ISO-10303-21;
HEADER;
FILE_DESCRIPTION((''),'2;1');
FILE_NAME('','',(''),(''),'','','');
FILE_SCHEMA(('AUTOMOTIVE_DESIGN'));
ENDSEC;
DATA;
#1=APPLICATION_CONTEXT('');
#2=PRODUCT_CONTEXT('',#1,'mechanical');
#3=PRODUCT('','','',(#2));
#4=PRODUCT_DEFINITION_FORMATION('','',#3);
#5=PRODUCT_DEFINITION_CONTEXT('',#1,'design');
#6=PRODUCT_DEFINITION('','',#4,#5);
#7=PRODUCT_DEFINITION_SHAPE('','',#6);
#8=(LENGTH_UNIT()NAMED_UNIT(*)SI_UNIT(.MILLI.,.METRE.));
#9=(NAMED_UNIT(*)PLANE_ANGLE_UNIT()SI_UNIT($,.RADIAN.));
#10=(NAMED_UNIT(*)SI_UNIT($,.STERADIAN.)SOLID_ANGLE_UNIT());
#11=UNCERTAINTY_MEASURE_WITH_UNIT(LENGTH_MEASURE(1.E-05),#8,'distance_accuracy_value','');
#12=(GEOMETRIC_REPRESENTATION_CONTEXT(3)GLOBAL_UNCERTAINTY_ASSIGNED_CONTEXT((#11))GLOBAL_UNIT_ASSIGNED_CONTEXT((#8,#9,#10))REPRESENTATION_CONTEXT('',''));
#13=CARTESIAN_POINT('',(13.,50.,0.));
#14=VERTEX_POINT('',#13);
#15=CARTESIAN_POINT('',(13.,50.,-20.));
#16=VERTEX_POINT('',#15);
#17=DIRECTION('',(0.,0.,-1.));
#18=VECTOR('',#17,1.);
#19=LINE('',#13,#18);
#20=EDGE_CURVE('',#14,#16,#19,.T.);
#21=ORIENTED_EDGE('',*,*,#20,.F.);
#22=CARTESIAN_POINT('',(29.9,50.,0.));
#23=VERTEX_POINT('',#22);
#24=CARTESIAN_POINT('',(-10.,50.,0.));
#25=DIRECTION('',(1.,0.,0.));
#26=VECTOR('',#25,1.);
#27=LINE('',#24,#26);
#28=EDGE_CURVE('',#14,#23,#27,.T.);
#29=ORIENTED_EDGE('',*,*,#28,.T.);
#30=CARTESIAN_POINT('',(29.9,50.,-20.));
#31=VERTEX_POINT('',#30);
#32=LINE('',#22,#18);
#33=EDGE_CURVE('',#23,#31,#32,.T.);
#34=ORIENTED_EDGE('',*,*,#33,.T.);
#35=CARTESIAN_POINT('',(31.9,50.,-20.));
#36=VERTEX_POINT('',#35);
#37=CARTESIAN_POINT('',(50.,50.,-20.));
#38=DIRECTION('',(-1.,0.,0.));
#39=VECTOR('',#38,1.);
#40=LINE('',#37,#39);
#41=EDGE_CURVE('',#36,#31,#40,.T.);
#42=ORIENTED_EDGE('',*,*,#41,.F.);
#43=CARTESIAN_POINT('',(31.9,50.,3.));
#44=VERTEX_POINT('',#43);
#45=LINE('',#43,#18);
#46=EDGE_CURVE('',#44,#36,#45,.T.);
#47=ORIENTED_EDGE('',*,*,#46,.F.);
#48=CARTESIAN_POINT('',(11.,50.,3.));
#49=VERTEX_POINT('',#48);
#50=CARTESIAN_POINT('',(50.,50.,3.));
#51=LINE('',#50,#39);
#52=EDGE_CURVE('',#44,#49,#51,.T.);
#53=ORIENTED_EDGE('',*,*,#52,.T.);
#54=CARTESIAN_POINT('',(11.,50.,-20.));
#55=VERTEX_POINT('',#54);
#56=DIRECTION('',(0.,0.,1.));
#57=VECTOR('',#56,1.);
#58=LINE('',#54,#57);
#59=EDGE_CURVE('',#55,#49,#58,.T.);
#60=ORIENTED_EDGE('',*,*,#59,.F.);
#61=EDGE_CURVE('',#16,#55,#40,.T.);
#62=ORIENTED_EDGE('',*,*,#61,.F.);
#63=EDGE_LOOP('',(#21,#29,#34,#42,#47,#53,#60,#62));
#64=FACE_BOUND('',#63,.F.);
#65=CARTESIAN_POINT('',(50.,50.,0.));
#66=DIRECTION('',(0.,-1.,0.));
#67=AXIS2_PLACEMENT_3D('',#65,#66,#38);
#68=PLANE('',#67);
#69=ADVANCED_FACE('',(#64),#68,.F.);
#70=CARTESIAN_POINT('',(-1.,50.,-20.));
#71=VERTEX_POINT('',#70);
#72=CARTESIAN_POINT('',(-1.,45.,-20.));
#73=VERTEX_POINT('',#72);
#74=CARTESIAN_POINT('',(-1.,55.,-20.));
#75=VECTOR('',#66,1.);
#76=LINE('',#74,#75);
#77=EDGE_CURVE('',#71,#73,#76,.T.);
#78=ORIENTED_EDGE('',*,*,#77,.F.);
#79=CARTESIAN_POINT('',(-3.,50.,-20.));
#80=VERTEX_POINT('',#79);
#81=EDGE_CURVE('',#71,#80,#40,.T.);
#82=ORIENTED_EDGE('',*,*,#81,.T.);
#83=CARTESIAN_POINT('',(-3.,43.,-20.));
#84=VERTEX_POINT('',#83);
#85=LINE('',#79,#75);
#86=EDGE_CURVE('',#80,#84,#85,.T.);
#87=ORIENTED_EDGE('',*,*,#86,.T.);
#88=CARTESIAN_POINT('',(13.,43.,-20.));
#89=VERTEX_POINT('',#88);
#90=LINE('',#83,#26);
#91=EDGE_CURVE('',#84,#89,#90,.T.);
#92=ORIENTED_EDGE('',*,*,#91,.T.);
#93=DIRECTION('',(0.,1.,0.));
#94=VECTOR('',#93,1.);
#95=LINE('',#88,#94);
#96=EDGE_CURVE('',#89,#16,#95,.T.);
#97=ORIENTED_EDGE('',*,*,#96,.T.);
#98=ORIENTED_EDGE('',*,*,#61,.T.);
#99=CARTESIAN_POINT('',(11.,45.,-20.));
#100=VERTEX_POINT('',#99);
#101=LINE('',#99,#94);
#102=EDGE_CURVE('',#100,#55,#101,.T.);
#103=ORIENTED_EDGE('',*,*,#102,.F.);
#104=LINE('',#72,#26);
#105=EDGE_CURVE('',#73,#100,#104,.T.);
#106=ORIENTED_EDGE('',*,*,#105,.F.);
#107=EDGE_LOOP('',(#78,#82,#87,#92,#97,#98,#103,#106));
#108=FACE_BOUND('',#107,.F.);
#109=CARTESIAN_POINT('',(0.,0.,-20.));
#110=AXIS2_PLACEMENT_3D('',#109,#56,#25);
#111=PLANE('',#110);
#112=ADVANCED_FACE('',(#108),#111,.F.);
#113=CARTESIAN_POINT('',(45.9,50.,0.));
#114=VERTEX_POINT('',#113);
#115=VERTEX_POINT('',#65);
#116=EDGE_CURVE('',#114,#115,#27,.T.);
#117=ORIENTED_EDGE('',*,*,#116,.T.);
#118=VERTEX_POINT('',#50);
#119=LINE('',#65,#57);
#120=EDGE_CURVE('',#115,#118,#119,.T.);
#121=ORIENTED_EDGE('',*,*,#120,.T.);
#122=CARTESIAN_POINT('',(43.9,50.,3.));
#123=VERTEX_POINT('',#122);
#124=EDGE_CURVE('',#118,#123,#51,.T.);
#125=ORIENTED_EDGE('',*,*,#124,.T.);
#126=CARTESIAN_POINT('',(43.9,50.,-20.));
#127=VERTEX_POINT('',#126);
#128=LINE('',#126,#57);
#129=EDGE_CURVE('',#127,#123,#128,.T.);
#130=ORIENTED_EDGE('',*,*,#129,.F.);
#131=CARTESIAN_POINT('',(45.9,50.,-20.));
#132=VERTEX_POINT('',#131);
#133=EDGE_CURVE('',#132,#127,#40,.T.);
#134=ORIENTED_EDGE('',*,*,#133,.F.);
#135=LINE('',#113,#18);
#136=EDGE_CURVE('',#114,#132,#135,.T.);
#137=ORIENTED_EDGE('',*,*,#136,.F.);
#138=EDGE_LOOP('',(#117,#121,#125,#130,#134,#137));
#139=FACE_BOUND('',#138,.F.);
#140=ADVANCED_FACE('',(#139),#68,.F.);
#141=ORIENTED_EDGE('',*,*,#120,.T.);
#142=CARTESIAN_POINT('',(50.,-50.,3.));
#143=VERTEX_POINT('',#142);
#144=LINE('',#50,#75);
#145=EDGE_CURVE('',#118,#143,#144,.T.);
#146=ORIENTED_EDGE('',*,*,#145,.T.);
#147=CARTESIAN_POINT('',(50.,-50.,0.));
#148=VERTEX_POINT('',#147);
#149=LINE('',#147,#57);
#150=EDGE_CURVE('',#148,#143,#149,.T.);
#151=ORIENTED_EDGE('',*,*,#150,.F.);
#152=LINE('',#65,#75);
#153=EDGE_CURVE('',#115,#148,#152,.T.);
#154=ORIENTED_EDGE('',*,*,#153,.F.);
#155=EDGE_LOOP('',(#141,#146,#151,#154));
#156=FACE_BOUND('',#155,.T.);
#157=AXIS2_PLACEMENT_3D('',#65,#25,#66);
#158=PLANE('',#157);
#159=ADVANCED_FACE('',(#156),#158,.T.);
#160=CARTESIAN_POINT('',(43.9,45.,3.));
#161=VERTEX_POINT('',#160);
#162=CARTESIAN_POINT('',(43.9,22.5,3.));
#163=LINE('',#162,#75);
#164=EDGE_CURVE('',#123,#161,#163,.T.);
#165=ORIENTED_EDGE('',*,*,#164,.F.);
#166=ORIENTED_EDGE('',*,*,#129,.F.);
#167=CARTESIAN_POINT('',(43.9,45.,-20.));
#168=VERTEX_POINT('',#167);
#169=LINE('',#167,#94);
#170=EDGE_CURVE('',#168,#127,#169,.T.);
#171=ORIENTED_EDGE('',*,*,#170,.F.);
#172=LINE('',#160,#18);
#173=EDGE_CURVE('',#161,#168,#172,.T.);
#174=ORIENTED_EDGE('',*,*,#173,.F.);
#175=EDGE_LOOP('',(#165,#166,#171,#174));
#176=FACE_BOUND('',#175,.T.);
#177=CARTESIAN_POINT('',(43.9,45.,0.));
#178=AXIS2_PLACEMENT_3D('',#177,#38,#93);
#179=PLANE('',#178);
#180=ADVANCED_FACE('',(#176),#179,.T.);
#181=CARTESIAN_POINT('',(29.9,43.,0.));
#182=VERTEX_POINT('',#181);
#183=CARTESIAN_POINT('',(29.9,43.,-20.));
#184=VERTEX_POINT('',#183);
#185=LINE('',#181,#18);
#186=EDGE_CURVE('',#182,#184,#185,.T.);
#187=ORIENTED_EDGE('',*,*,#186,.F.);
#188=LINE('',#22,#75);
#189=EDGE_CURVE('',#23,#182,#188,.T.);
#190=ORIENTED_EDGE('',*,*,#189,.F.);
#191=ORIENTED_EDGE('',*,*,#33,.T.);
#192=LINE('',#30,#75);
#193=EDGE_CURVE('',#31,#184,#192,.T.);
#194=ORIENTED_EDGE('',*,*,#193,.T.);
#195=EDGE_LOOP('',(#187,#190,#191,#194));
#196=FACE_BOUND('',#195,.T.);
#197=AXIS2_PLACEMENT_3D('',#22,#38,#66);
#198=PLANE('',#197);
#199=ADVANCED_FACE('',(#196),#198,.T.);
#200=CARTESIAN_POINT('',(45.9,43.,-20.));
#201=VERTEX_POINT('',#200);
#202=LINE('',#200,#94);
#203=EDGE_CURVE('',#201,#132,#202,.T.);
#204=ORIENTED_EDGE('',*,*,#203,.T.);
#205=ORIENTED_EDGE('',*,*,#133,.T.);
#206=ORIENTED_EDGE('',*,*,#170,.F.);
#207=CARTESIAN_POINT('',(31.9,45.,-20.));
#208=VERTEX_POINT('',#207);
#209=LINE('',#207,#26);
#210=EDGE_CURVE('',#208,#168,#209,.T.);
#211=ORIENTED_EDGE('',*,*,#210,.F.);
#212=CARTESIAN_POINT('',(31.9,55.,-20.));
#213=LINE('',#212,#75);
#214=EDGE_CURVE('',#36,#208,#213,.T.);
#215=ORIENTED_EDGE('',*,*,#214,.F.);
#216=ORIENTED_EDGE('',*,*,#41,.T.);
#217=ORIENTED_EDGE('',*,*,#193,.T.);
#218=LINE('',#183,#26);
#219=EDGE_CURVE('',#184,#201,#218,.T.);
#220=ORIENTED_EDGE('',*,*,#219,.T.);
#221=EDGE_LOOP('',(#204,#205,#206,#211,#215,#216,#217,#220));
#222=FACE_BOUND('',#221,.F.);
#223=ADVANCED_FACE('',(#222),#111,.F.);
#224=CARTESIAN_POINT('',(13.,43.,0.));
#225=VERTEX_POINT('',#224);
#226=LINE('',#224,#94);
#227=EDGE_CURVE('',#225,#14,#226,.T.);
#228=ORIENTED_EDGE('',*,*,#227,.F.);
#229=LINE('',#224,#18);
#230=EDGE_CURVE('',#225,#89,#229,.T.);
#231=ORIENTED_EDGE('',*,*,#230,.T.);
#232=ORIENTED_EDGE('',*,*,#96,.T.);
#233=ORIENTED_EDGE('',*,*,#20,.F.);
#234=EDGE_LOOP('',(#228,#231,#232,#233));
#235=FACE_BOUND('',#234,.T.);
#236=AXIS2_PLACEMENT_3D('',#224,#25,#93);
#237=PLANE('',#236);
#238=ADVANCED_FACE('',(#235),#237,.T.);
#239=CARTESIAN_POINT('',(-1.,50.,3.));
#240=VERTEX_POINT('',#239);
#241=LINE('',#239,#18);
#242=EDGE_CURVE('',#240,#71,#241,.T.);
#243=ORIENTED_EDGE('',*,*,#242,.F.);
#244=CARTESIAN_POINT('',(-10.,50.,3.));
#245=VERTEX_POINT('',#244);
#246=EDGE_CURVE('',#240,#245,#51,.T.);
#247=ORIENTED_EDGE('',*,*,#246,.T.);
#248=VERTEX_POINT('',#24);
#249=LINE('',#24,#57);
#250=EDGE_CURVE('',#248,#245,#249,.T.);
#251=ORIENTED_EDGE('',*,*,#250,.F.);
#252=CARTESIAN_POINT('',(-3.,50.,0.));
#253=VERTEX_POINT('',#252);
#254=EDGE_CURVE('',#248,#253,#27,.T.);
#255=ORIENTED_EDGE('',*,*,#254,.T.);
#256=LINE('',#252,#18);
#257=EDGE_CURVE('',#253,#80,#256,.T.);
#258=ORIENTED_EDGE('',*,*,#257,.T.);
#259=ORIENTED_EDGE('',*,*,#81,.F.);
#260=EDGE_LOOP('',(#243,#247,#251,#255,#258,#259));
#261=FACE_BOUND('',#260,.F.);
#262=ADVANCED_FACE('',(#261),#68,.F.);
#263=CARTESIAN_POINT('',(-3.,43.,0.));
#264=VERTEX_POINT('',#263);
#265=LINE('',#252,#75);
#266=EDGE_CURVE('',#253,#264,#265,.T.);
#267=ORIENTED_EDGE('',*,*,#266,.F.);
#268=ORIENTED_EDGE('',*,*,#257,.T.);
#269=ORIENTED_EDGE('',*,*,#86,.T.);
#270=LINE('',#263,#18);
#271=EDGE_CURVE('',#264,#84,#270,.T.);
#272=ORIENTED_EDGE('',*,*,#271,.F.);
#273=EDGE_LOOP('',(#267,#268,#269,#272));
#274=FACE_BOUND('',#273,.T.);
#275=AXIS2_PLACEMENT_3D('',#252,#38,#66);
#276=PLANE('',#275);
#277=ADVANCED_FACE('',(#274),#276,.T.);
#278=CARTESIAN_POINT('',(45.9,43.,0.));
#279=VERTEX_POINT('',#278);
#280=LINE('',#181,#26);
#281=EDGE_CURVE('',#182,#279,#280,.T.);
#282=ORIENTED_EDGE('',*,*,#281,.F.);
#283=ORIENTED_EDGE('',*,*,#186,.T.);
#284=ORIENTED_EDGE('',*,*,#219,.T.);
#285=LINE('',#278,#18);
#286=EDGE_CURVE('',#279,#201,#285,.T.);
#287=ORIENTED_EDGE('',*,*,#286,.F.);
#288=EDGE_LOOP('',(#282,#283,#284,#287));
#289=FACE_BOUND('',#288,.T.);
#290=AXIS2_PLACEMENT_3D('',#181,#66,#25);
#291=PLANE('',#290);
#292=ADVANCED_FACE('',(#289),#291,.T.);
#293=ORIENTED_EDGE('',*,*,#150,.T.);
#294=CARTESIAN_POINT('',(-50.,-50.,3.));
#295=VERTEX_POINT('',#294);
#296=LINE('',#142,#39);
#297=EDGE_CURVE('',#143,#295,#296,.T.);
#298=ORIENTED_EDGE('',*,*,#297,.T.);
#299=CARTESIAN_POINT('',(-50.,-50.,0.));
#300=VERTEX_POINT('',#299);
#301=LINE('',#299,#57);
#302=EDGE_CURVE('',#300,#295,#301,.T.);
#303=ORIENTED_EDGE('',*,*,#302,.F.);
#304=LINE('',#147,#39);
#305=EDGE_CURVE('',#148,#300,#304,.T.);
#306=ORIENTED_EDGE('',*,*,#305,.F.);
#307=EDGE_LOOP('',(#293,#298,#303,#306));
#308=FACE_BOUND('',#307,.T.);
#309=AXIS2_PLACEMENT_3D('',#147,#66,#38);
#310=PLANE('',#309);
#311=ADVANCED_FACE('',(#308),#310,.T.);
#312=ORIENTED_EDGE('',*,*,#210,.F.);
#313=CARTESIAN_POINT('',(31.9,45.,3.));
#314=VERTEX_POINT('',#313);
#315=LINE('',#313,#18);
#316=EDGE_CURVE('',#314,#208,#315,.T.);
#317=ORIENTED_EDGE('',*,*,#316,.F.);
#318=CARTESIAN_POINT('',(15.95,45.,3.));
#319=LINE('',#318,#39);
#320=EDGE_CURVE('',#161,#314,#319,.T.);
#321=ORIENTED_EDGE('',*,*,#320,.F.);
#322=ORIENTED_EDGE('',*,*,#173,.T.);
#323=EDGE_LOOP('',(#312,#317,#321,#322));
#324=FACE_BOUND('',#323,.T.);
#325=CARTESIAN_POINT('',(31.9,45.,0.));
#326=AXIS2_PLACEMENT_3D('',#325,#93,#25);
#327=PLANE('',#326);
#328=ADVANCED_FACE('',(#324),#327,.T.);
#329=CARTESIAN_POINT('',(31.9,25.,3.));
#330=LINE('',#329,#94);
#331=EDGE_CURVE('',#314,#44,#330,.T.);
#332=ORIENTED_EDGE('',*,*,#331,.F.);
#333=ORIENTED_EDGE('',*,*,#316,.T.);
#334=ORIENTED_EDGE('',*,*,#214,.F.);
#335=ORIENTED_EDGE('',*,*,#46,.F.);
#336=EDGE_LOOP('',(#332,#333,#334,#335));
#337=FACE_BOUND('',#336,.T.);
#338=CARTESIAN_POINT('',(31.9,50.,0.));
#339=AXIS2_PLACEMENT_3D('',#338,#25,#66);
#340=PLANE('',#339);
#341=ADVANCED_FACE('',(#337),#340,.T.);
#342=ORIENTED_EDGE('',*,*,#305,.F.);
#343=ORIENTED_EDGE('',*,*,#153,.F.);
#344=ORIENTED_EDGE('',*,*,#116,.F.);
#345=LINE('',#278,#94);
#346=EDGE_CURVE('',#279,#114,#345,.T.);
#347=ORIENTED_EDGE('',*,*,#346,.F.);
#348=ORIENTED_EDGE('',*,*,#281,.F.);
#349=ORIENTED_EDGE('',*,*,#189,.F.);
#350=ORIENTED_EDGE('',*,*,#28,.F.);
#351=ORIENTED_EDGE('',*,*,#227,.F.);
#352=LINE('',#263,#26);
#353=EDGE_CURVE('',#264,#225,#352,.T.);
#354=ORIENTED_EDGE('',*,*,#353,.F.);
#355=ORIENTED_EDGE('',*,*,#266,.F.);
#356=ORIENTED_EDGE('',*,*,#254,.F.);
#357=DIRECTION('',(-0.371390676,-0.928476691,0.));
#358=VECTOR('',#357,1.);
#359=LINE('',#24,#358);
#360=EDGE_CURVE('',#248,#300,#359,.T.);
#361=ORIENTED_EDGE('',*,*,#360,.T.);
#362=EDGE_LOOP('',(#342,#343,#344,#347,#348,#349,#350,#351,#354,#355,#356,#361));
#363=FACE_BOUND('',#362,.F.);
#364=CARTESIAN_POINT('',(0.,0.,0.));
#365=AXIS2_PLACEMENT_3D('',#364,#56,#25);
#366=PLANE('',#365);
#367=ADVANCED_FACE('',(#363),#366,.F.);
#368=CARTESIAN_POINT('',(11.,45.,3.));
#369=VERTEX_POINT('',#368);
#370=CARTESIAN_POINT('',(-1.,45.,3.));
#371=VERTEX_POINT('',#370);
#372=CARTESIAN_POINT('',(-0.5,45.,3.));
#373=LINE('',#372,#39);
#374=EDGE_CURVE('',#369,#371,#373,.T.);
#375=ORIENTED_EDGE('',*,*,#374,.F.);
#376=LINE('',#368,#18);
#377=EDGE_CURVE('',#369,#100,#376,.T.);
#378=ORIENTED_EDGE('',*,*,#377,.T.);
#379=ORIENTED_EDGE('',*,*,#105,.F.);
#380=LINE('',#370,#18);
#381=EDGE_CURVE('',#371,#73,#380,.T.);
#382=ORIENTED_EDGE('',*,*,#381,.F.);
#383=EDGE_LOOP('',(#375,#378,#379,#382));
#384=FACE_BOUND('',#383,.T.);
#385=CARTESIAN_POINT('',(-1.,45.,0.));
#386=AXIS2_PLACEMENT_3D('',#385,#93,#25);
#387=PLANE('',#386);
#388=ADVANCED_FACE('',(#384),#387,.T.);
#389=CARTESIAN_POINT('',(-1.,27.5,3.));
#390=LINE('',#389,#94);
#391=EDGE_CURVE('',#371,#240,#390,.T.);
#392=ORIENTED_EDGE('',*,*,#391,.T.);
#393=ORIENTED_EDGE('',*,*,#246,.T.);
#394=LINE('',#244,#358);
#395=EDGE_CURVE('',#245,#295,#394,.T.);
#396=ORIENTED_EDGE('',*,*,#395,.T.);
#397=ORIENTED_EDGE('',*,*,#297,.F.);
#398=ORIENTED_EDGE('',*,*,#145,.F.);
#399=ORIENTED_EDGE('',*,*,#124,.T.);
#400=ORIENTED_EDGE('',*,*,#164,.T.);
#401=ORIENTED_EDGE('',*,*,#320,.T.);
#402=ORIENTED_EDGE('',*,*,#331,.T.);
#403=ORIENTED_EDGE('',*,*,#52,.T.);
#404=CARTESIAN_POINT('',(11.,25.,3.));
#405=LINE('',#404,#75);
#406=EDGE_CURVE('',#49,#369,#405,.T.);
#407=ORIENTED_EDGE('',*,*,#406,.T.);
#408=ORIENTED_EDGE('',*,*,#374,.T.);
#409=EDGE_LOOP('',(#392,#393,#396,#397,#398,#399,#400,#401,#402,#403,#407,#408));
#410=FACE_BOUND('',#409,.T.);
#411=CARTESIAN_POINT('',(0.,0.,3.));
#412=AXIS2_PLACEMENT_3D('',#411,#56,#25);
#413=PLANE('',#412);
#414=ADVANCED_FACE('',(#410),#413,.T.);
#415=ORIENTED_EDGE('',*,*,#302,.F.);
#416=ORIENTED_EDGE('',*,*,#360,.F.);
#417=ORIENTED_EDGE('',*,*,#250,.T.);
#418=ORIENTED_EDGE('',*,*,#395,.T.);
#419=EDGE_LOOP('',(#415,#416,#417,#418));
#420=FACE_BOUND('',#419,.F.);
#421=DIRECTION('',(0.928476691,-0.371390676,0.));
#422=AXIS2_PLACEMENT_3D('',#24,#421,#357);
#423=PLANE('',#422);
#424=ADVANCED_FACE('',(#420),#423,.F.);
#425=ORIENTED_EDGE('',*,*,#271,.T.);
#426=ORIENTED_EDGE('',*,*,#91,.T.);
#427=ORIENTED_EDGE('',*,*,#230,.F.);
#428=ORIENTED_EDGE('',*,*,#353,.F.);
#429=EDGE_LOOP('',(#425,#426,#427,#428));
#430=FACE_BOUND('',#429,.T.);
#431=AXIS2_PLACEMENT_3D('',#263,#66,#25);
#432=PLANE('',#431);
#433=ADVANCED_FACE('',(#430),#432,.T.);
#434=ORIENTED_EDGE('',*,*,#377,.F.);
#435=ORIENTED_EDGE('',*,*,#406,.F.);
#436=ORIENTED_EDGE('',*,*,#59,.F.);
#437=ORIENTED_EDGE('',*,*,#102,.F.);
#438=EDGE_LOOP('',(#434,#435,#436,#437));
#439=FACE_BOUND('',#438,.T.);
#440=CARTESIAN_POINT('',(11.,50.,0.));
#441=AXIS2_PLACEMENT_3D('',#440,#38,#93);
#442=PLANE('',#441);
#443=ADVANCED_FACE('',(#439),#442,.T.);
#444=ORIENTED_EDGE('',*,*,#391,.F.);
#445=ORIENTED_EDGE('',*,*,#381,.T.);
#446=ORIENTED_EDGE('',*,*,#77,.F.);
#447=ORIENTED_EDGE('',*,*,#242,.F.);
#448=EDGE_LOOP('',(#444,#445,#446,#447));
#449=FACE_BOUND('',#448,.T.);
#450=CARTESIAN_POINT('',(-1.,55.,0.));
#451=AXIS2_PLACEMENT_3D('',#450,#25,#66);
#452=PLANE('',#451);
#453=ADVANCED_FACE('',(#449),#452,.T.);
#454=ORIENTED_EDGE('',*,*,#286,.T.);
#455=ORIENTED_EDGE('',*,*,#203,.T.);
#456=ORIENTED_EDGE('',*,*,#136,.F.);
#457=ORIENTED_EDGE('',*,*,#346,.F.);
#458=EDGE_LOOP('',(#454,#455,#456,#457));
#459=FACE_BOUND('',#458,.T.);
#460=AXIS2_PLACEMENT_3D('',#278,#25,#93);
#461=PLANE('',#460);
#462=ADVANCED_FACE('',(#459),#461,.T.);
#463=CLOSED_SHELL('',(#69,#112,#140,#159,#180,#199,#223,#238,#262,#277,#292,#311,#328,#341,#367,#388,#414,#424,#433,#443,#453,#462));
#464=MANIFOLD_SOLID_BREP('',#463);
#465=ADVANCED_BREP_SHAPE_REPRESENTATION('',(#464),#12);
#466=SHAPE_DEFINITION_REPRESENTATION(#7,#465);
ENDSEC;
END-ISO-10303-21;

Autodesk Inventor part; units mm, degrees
ref_plane "YZ Plane" through (0, 0, 0) normal (1, 0, 0) x (0, 1, 0)
ref_plane "XZ Plane" through (0, 0, 0) normal (0, 1, 0) x (-1, 0, 0)
ref_plane "XY Plane" through (0, 0, 0) normal (0, 0, 1) x (1, 0, 0)
sketch "Sketch1" plane through (0, 0, 0) normal (0, 0, 1) x (1, 0, 0)
  line L0 (50, -50) -> (-50, -50)
  line L1 (50, 50) -> (50, -50)
  line L2 (50, 50) -> (-10, 50)
  line L3 (-10, 50) -> (-50, -50)
  line L4 (-10, 50) -> (20, 50)
  line L5 (20, 50) -> (50, 50)
  line L6 (-1, 45) -> (11, 45)
  line L7 (11, 45) -> (11, 55)
  line L8 (11, 55) -> (-1, 55)
  line L9 (-1, 55) -> (-1, 45)
  line L10 (-1, 45) -> (11, 55) construction
  line L11 (11, 45) -> (-1, 55) construction
  line L12 (50, 50) -> (37.9, 50)
  line L13 (31.9, 45) -> (43.9, 45)
  line L14 (43.9, 45) -> (43.9, 55)
  line L15 (43.9, 55) -> (31.9, 55)
  line L16 (31.9, 55) -> (31.9, 45)
  line L17 (31.9, 45) -> (43.9, 55) construction
  line L18 (43.9, 45) -> (31.9, 55) construction
  line L19 (-3, 50) -> (-3, 43)
  line L20 (-3, 43) -> (13, 43)
  line L21 (13, 43) -> (13, 50)
  line L22 (29.9, 50) -> (29.9, 43)
  line L23 (29.9, 43) -> (45.9, 43)
  line L24 (45.9, 43) -> (45.9, 50)
  point P0 (0, 0)
  point P1 (5, 50)
  point P2 (-1, 50)
  point P3 (45.9, 46.5)
  point P4 (31.9, 50)
  point P5 (43.9, 50)
  point P6 (-1, 50)
  point P7 (11, 50)
  dimension "d18" = 60
  dimension "d19" = 111.801
  dimension "d20" = 100
  dimension "d21" = 100
  dimension "d22" = 50
  dimension "d23" = 50
  dimension "d24" = 30
  dimension "d25" = 12
  dimension "d26" = 10
  dimension "d31" = 12.1
  dimension "d32" = 12
  dimension "d33" = 10
  dimension "d36" = 2
  dimension "d37" = 2
  dimension "d38" = 16
  dimension "d39" = 2
  dimension "d40" = 2
  dimension "d41" = 2
extrude "Extrusion1" add sketch "Sketch1" along normal blind 3 contours L0 L3 L2 L19 L20 L21 L22 L23 L24 L1 | L24 L23 L22 L2 L16 L13 L14 | L2 L9 L6 L7 L21 L20 L19 | L14 L13 L16 L2 | L2 L7 L6 L9
extrude "Extrusion2" cut sketch "Sketch1" along normal blind 10 contours L9 L8 L7 L2 | L2 L7 L6 L9
extrude "Extrusion3" cut sketch "Sketch1" along normal blind 10 contours L14 L13 L16 L2 | L2 L16 L15 L14
extrude "Extrusion4" add sketch "Sketch1" against normal blind 20 contours L24 L23 L22 L2 L16 L13 L14 | L2 L9 L6 L7 L21 L20 L19
sketch "Sketch2" plane through (0, 0, 0) normal (0, 0, 1) x (1, 0, 0)
  line L0 (-52.1328, -49.9469) -> (-12.1328, 50.0531)
  line L1 (-10, 50) -> (-50, -50) projected
  line L2 (-1, 50) -> (-10, 50) projected
  line L3 (-12.1328, 50.0531) -> (-21.8999, 50.0531)
  line L4 (-21.8999, 50.0531) -> (-21.8999, 45)
  line L5 (-21.8999, 45) -> (-33.8999, 45)
  line L6 (-33.8999, 45) -> (-33.8999, 50.0531)
  line L7 (-33.8999, 50.0531) -> (-41.8999, 50.0531)
  line L8 (-52.1328, -49.9469) -> (-67.1328, -49.9469)
  line L9 (-67.1328, -49.9469) -> (-67.1328, -9.9469)
  line L10 (-67.1328, -9.9469) -> (-41.8999, 50.0531)
  line L11 (-67.1328, -4.7877) -> (-44.0696, 50.0531)
  line L12 (-67.1328, -4.7877) -> (-67.1328, 50.0531)
  line L13 (-67.1328, 50.0531) -> (-64.1328, 50.0531)
  line L14 (-64.1328, 50.0531) -> (-64.1328, 45.0531)
  line L15 (-64.1328, 45.0531) -> (-52.1328, 45.0531)
  line L16 (-52.1328, 45.0531) -> (-52.1328, 50.0531)
  line L17 (-52.1328, 50.0531) -> (-44.0696, 50.0531)
  line L18 (-50, -50) -> (50, -50) projected
  point P0 (0, 0)
  dimension "d44" = 20.9
  dimension "d46" = 12
  dimension "d47" = 8
  dimension "d48" = 15
  dimension "d49" = 40
  dimension "d50" = 2
  dimension "d51" = 2
  dimension "d52" = 3
  dimension "d53" = 5
  dimension "d54" = 12
  dimension "d55" = 54.8409
  dimension "d56" = 8.0632
  dimension "d57" = 67.191
  dimension "d58" = 9.7671
  dimension "d59" = 60
  dimension "d60" = 117.1328
  dimension "d61" = 5
properties part number "BasePart"
